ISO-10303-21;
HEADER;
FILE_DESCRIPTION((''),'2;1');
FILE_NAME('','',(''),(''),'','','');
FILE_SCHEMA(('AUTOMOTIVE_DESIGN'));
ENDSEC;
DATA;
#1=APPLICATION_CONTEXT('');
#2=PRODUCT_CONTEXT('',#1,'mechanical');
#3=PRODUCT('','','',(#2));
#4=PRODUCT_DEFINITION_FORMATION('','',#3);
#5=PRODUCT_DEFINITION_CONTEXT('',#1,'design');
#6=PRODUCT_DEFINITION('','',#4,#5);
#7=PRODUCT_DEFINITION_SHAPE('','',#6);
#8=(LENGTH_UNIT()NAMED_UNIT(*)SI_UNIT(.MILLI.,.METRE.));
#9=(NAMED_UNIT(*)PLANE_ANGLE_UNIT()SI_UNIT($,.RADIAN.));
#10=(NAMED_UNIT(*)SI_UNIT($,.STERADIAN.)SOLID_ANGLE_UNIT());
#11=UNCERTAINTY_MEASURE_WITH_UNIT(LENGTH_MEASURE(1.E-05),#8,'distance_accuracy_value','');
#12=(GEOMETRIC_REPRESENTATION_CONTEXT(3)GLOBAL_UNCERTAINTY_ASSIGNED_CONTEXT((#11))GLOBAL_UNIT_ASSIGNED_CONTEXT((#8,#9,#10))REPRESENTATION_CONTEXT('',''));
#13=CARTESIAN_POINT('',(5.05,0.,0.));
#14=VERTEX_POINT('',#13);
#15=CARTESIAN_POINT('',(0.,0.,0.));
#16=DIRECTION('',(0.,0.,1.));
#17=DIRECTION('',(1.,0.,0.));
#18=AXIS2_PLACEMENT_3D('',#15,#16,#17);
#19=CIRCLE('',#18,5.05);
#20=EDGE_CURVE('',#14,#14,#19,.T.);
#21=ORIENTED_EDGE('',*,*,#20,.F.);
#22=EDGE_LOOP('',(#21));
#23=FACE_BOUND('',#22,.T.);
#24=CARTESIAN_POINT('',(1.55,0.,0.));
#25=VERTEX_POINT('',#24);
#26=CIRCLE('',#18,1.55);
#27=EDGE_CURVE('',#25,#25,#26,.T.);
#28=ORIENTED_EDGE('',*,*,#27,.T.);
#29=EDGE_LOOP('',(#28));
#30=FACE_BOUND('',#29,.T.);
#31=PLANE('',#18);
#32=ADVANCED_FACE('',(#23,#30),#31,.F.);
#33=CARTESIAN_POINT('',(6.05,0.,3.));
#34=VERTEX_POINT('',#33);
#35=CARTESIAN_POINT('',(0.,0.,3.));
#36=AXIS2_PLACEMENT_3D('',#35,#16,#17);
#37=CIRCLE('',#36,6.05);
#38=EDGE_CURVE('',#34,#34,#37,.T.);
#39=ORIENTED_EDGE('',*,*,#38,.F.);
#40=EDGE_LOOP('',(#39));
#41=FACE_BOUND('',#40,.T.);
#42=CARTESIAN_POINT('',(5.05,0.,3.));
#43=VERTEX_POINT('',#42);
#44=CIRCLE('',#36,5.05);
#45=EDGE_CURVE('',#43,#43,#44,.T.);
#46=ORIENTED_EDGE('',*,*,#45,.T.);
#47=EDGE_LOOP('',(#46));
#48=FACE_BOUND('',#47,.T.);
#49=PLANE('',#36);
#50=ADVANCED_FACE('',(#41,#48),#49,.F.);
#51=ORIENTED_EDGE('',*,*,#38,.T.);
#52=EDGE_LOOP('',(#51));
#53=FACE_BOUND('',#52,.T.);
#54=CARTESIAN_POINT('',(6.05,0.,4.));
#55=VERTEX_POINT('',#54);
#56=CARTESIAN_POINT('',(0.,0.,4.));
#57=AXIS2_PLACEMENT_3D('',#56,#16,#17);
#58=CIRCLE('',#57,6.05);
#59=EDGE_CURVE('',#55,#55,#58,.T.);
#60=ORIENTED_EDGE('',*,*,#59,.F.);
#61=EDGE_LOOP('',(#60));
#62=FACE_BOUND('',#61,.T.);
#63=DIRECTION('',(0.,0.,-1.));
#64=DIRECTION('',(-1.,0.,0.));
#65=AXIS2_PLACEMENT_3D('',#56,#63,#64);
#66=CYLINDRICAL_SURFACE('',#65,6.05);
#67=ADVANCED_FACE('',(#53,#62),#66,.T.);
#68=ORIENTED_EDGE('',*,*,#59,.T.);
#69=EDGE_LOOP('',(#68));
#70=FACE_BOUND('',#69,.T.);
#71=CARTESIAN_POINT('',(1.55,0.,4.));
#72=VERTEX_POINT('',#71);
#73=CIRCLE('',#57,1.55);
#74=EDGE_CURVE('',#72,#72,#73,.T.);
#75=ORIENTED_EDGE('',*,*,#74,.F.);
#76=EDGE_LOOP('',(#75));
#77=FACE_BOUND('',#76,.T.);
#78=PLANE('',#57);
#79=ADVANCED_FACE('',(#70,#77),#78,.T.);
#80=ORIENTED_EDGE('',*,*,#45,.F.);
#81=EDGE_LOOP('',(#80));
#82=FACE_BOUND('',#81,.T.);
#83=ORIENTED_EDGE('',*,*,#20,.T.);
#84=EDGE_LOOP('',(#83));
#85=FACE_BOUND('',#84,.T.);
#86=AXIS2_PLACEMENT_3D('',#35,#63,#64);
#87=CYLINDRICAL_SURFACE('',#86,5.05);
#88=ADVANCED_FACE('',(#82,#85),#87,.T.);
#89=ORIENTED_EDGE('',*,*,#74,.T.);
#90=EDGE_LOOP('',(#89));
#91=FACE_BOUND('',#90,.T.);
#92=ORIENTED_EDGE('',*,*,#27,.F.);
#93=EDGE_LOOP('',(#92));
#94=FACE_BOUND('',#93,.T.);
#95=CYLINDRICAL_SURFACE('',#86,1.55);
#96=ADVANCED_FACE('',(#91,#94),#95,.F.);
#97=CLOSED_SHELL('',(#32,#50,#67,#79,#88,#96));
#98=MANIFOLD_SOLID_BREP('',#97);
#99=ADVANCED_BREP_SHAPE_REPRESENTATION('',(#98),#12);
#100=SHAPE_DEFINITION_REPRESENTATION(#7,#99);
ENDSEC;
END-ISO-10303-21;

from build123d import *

# Parameters (mm, degrees)
SKETCH1_R           = 5.05
SKETCH1_R_2         = 1.55
BOSS_EXTRUDE1_DEPTH = 3
SKETCH2_R           = 6.05
SKETCH2_R_2         = 1.55
BOSS_EXTRUDE2_DEPTH = 1


with BuildPart() as part:
    # Sketch1 → Boss-Extrude1 (new body)
    with BuildSketch(Plane.XY):
        Circle(SKETCH1_R)
        Circle(SKETCH1_R_2, mode=Mode.SUBTRACT)
    extrude(amount=BOSS_EXTRUDE1_DEPTH)

    # Sketch2 → Boss-Extrude2 (add)
    with BuildSketch(Plane.XY.offset(3)):
        Circle(SKETCH2_R)
        Circle(SKETCH2_R_2, mode=Mode.SUBTRACT)
    extrude(amount=BOSS_EXTRUDE2_DEPTH)


solid = part.part
